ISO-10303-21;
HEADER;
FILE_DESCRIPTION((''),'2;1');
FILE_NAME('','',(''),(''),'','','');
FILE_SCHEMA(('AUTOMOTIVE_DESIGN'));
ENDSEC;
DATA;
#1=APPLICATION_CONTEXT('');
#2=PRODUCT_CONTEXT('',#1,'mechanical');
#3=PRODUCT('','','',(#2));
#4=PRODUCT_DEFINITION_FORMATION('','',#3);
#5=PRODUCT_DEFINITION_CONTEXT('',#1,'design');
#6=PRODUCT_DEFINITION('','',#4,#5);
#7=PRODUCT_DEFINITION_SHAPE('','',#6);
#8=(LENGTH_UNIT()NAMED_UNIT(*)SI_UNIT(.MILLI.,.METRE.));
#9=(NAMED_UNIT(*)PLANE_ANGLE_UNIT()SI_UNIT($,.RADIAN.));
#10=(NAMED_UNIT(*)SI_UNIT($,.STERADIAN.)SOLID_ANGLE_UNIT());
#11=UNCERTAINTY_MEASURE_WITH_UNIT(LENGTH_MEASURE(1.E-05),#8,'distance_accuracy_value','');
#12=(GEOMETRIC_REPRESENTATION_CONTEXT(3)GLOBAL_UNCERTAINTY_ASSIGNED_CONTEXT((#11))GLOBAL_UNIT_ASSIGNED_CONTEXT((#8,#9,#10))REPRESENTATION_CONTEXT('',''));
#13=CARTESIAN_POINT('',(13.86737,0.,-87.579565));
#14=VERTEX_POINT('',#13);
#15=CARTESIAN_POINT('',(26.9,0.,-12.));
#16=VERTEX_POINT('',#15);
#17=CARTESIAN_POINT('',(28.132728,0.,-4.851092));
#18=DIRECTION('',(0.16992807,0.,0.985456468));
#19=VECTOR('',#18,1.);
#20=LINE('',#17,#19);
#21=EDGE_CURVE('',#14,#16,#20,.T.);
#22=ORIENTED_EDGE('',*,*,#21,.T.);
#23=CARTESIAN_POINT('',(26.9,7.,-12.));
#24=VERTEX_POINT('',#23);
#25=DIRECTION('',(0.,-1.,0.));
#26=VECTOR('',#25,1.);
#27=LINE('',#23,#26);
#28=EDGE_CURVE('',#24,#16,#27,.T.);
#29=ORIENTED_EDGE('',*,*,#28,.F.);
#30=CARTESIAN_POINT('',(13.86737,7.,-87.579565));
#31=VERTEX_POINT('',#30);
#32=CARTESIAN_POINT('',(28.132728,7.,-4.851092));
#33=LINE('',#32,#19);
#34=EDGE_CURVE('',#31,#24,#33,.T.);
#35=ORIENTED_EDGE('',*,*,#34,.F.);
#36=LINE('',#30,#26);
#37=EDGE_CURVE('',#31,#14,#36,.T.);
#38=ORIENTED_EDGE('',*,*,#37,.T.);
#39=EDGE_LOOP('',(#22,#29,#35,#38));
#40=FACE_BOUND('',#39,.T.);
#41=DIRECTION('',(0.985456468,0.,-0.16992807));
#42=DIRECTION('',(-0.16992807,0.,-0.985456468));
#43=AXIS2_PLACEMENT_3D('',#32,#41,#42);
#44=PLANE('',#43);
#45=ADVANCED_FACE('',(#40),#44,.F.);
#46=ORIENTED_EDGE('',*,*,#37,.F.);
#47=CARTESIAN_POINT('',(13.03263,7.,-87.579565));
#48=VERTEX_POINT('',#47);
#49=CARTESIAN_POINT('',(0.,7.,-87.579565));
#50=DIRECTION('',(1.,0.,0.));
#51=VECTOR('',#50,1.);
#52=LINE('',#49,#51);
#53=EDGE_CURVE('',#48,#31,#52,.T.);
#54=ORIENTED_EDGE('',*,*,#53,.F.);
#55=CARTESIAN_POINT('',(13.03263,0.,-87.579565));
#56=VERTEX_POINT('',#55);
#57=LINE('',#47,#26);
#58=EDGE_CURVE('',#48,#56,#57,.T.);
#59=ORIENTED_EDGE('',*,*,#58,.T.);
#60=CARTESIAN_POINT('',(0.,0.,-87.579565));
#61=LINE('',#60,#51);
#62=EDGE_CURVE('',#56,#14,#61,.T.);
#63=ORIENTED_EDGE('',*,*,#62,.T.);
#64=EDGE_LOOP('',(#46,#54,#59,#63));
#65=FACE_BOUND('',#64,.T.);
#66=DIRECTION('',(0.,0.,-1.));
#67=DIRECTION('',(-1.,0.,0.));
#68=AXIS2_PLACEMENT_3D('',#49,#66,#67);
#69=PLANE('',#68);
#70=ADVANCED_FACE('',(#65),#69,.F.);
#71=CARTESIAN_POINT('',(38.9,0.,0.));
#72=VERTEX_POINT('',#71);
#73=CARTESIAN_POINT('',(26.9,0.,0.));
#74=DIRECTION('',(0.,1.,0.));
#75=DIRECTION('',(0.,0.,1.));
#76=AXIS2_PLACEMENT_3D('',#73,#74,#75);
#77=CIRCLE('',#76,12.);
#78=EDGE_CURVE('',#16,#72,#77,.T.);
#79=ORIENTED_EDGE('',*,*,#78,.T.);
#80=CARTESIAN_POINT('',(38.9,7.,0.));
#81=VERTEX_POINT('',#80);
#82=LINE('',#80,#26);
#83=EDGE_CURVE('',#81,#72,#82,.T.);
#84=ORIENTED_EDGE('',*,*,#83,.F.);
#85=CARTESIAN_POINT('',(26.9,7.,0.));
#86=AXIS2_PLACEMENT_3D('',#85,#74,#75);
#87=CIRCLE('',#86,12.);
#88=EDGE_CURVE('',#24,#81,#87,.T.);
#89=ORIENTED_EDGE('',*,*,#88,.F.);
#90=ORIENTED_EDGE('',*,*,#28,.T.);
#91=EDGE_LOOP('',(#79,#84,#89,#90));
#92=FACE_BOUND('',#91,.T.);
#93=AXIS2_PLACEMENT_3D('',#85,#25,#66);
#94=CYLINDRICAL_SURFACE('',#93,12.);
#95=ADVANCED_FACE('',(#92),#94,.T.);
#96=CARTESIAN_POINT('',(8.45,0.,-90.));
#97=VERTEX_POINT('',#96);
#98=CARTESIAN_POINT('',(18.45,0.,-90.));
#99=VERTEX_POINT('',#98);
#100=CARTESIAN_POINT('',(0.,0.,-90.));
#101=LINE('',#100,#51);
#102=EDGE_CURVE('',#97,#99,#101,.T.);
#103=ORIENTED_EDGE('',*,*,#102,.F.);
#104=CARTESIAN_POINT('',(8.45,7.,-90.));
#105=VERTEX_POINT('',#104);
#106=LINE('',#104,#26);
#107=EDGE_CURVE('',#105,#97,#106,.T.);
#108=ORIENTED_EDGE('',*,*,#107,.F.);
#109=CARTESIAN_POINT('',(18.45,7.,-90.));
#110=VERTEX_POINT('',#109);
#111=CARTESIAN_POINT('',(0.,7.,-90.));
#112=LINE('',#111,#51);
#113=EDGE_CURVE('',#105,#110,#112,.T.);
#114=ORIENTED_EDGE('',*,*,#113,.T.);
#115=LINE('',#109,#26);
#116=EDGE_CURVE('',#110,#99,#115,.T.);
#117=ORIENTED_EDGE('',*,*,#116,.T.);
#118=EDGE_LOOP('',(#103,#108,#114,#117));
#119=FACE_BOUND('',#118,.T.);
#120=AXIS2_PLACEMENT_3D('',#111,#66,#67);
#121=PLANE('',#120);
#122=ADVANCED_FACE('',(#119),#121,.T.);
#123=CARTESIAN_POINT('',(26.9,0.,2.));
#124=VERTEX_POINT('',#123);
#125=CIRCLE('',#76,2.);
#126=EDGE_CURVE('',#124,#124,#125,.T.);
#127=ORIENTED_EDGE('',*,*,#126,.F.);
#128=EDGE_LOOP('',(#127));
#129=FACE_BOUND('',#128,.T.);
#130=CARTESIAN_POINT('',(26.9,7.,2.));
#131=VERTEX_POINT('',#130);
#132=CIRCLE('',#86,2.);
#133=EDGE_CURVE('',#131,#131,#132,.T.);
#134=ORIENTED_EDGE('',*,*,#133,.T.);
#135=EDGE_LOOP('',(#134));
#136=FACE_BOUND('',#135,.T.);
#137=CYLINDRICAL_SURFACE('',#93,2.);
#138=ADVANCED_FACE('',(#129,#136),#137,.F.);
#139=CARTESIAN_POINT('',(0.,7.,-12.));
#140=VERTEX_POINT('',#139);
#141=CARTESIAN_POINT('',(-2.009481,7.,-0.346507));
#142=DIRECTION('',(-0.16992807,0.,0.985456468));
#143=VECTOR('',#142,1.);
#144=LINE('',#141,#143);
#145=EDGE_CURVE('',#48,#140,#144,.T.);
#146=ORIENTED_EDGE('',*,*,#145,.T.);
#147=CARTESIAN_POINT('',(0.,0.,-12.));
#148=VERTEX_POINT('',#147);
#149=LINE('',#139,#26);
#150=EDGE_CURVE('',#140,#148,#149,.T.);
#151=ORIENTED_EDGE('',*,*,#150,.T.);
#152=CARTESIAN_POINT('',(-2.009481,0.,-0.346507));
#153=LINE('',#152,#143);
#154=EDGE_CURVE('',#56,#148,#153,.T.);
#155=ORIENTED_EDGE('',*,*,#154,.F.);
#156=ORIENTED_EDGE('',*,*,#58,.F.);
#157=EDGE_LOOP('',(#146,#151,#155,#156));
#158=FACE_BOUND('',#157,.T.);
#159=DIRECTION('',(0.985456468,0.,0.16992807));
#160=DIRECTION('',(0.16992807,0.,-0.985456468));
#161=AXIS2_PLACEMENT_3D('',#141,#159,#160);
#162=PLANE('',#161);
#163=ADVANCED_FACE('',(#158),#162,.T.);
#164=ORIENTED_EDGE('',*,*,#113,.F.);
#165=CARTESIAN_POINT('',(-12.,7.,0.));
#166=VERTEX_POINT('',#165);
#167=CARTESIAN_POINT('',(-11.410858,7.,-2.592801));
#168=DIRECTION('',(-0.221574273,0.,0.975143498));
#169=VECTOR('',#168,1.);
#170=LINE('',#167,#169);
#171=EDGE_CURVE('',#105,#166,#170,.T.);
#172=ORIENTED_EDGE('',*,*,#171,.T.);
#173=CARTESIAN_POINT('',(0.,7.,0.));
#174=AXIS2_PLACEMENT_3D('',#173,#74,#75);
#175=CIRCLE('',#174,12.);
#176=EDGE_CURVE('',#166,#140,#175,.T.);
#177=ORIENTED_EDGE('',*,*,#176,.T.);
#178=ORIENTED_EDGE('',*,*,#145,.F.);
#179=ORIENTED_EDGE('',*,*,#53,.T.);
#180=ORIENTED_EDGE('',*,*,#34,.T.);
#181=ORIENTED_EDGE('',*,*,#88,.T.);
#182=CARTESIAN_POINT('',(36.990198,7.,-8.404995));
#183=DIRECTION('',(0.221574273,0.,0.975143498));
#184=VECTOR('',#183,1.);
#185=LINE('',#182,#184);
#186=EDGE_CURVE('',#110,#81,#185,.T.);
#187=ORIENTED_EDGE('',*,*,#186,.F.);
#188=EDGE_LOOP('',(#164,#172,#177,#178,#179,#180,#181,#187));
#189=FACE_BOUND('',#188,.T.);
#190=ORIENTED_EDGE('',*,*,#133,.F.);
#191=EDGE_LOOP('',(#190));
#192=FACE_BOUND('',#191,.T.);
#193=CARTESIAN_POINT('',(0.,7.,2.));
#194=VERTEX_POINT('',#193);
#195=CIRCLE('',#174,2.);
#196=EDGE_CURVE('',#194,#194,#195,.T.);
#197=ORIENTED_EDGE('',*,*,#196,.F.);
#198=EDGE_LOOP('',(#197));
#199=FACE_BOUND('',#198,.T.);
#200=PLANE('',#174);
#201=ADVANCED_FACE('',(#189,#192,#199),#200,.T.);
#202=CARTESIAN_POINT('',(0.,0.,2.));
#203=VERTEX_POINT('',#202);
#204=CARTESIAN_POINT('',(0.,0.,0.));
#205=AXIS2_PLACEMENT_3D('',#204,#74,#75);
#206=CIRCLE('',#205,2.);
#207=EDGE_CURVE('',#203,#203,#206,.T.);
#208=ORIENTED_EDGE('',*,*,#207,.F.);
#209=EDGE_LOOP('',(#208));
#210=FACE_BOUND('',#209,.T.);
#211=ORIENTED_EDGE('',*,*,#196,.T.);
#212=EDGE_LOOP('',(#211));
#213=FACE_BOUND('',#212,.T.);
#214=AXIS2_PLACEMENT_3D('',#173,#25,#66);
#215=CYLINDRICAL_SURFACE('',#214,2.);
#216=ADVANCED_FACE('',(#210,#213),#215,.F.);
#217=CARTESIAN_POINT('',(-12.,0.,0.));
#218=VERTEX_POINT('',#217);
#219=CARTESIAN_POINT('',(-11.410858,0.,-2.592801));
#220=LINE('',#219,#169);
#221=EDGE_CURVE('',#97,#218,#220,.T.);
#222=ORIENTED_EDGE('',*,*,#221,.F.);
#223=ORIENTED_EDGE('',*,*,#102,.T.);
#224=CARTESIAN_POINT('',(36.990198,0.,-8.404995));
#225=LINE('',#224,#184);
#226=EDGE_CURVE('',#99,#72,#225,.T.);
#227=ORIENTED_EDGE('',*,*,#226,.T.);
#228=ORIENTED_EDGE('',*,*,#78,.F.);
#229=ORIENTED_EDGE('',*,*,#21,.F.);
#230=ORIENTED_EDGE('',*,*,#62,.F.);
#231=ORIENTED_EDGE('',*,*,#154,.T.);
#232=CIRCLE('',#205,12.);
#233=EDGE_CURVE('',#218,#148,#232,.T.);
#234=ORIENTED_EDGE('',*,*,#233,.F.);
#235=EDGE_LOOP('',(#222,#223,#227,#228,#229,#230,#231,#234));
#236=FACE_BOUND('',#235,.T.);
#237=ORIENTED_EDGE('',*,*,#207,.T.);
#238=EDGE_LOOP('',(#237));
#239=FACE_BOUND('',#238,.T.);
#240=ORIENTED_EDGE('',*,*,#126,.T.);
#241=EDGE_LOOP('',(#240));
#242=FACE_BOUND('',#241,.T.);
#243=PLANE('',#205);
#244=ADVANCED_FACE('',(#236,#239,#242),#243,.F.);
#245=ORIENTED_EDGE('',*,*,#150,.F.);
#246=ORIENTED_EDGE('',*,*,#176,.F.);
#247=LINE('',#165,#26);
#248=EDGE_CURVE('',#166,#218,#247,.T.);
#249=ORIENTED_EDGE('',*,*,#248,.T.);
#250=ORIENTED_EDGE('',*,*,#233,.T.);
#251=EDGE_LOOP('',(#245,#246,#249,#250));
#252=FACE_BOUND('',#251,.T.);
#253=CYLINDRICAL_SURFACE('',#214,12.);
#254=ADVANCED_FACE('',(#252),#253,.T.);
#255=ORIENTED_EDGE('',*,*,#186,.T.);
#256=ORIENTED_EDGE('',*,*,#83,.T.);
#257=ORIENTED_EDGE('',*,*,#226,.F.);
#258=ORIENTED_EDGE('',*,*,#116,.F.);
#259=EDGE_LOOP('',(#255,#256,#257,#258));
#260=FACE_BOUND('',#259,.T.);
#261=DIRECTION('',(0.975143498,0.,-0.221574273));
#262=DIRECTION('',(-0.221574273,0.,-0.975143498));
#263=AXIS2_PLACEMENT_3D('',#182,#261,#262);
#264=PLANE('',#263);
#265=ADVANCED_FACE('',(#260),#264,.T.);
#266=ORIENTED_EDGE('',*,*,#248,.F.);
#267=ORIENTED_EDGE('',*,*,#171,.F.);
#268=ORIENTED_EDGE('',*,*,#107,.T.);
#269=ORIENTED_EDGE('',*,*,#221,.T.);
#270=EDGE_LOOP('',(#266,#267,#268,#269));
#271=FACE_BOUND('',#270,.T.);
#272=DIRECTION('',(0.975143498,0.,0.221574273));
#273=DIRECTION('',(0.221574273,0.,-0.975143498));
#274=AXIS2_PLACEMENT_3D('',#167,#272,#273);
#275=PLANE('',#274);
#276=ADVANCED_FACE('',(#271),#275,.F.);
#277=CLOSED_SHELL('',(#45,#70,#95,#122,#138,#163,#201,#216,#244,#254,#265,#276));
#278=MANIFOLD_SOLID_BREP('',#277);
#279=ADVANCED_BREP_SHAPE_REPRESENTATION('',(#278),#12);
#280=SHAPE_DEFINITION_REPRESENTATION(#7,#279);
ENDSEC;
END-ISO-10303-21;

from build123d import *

# Parameters (mm, degrees)
SKETCH1_R           = 2
BOSS_EXTRUDE1_DEPTH = 7


with BuildPart() as part:
    # Sketch1 → Boss-Extrude1 (new body)
    with BuildSketch(Plane(origin=(0, 0, 0), x_dir=(1, 0, 0), z_dir=(0, 1, 0))):
        with BuildLine():
            Line((13.032630063, 87.579564679), (13.867369937, 87.579564679))
            Line((13.867369937, 87.579564679), (26.9, 12))
            ThreePointArc((26.9, 12), (18.414718626, -8.485281374), (38.9, 0))
            Line((38.9, 0), (18.45, 90))
            Line((18.45, 90), (13.45, 90))
            Line((13.45, 90), (8.45, 90))
            Line((8.45, 90), (-12, 0))
            ThreePointArc((-12, 0), (8.485281374, -8.485281374), (0, 12))
            Line((0, 12), (13.032630063, 87.579564679))
        make_face()
        with Locations(Location((0, 0, 0), (0, 0, 270))):
            Circle(SKETCH1_R, mode=Mode.SUBTRACT)
        with Locations(Location((26.9, 0, 0), (0, 0, 270))):
            Circle(SKETCH1_R, mode=Mode.SUBTRACT)
    extrude(amount=BOSS_EXTRUDE1_DEPTH)


solid = part.part
